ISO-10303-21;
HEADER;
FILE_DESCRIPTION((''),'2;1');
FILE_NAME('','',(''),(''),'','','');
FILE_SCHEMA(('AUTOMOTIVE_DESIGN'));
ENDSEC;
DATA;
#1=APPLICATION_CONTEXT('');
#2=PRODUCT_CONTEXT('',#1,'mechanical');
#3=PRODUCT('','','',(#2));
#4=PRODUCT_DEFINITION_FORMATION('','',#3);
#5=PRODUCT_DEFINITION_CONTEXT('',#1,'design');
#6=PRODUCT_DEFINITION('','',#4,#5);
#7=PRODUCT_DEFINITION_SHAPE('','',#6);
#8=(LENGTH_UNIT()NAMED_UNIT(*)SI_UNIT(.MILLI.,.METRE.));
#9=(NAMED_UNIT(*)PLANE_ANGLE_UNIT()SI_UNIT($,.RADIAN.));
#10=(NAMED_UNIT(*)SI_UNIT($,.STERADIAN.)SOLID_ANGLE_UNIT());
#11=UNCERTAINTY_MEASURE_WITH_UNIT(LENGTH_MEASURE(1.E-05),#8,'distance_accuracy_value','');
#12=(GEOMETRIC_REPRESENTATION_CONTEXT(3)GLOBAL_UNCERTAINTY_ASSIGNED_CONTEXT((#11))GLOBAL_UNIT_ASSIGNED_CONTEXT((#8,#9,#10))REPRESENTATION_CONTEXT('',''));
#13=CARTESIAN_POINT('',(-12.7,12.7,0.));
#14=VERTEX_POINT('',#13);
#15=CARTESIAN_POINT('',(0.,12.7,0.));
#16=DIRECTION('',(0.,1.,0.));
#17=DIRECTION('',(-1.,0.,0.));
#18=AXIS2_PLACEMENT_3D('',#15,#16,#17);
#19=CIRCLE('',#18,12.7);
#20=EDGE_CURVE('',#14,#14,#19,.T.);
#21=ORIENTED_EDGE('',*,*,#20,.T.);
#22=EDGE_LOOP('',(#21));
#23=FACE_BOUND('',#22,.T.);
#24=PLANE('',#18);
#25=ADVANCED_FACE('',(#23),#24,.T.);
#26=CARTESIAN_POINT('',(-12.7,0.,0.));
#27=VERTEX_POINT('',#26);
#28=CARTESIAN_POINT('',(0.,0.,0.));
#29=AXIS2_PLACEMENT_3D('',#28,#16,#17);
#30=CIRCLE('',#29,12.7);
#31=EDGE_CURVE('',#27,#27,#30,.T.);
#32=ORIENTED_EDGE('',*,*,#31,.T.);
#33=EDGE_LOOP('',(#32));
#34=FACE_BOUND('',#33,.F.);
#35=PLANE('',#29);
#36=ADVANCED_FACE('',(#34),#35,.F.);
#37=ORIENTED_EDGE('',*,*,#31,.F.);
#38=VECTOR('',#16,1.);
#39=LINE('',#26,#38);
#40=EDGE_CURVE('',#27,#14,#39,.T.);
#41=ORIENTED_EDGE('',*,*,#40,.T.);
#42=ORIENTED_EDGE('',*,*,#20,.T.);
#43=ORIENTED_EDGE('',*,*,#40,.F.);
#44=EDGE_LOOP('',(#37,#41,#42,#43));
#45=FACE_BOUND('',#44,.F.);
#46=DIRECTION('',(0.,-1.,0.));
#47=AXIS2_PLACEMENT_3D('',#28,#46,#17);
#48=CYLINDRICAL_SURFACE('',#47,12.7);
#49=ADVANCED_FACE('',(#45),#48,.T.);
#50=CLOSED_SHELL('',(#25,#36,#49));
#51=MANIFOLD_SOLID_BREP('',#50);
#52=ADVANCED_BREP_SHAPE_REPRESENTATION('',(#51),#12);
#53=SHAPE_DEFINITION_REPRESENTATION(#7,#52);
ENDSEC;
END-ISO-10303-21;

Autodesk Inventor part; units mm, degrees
ref_plane "YZ Plane" through (0, 0, 0) normal (1, 0, 0) x (0, 1, 0)
ref_plane "XZ Plane" through (0, 0, 0) normal (0, 1, 0) x (-1, 0, 0)
ref_plane "XY Plane" through (0, 0, 0) normal (0, 0, 1) x (1, 0, 0)
sketch "Sketch1" plane through (0, 0, 0) normal (0, 1, 0) x (-1, 0, 0)
  circle A0 centre (0, 0) radius 12.7
  dimension "d0" = 25.4
extrude "Extrusion1" add sketch "Sketch1" along normal blind 12.7
properties part number "circularTestPrint-1-inch"
